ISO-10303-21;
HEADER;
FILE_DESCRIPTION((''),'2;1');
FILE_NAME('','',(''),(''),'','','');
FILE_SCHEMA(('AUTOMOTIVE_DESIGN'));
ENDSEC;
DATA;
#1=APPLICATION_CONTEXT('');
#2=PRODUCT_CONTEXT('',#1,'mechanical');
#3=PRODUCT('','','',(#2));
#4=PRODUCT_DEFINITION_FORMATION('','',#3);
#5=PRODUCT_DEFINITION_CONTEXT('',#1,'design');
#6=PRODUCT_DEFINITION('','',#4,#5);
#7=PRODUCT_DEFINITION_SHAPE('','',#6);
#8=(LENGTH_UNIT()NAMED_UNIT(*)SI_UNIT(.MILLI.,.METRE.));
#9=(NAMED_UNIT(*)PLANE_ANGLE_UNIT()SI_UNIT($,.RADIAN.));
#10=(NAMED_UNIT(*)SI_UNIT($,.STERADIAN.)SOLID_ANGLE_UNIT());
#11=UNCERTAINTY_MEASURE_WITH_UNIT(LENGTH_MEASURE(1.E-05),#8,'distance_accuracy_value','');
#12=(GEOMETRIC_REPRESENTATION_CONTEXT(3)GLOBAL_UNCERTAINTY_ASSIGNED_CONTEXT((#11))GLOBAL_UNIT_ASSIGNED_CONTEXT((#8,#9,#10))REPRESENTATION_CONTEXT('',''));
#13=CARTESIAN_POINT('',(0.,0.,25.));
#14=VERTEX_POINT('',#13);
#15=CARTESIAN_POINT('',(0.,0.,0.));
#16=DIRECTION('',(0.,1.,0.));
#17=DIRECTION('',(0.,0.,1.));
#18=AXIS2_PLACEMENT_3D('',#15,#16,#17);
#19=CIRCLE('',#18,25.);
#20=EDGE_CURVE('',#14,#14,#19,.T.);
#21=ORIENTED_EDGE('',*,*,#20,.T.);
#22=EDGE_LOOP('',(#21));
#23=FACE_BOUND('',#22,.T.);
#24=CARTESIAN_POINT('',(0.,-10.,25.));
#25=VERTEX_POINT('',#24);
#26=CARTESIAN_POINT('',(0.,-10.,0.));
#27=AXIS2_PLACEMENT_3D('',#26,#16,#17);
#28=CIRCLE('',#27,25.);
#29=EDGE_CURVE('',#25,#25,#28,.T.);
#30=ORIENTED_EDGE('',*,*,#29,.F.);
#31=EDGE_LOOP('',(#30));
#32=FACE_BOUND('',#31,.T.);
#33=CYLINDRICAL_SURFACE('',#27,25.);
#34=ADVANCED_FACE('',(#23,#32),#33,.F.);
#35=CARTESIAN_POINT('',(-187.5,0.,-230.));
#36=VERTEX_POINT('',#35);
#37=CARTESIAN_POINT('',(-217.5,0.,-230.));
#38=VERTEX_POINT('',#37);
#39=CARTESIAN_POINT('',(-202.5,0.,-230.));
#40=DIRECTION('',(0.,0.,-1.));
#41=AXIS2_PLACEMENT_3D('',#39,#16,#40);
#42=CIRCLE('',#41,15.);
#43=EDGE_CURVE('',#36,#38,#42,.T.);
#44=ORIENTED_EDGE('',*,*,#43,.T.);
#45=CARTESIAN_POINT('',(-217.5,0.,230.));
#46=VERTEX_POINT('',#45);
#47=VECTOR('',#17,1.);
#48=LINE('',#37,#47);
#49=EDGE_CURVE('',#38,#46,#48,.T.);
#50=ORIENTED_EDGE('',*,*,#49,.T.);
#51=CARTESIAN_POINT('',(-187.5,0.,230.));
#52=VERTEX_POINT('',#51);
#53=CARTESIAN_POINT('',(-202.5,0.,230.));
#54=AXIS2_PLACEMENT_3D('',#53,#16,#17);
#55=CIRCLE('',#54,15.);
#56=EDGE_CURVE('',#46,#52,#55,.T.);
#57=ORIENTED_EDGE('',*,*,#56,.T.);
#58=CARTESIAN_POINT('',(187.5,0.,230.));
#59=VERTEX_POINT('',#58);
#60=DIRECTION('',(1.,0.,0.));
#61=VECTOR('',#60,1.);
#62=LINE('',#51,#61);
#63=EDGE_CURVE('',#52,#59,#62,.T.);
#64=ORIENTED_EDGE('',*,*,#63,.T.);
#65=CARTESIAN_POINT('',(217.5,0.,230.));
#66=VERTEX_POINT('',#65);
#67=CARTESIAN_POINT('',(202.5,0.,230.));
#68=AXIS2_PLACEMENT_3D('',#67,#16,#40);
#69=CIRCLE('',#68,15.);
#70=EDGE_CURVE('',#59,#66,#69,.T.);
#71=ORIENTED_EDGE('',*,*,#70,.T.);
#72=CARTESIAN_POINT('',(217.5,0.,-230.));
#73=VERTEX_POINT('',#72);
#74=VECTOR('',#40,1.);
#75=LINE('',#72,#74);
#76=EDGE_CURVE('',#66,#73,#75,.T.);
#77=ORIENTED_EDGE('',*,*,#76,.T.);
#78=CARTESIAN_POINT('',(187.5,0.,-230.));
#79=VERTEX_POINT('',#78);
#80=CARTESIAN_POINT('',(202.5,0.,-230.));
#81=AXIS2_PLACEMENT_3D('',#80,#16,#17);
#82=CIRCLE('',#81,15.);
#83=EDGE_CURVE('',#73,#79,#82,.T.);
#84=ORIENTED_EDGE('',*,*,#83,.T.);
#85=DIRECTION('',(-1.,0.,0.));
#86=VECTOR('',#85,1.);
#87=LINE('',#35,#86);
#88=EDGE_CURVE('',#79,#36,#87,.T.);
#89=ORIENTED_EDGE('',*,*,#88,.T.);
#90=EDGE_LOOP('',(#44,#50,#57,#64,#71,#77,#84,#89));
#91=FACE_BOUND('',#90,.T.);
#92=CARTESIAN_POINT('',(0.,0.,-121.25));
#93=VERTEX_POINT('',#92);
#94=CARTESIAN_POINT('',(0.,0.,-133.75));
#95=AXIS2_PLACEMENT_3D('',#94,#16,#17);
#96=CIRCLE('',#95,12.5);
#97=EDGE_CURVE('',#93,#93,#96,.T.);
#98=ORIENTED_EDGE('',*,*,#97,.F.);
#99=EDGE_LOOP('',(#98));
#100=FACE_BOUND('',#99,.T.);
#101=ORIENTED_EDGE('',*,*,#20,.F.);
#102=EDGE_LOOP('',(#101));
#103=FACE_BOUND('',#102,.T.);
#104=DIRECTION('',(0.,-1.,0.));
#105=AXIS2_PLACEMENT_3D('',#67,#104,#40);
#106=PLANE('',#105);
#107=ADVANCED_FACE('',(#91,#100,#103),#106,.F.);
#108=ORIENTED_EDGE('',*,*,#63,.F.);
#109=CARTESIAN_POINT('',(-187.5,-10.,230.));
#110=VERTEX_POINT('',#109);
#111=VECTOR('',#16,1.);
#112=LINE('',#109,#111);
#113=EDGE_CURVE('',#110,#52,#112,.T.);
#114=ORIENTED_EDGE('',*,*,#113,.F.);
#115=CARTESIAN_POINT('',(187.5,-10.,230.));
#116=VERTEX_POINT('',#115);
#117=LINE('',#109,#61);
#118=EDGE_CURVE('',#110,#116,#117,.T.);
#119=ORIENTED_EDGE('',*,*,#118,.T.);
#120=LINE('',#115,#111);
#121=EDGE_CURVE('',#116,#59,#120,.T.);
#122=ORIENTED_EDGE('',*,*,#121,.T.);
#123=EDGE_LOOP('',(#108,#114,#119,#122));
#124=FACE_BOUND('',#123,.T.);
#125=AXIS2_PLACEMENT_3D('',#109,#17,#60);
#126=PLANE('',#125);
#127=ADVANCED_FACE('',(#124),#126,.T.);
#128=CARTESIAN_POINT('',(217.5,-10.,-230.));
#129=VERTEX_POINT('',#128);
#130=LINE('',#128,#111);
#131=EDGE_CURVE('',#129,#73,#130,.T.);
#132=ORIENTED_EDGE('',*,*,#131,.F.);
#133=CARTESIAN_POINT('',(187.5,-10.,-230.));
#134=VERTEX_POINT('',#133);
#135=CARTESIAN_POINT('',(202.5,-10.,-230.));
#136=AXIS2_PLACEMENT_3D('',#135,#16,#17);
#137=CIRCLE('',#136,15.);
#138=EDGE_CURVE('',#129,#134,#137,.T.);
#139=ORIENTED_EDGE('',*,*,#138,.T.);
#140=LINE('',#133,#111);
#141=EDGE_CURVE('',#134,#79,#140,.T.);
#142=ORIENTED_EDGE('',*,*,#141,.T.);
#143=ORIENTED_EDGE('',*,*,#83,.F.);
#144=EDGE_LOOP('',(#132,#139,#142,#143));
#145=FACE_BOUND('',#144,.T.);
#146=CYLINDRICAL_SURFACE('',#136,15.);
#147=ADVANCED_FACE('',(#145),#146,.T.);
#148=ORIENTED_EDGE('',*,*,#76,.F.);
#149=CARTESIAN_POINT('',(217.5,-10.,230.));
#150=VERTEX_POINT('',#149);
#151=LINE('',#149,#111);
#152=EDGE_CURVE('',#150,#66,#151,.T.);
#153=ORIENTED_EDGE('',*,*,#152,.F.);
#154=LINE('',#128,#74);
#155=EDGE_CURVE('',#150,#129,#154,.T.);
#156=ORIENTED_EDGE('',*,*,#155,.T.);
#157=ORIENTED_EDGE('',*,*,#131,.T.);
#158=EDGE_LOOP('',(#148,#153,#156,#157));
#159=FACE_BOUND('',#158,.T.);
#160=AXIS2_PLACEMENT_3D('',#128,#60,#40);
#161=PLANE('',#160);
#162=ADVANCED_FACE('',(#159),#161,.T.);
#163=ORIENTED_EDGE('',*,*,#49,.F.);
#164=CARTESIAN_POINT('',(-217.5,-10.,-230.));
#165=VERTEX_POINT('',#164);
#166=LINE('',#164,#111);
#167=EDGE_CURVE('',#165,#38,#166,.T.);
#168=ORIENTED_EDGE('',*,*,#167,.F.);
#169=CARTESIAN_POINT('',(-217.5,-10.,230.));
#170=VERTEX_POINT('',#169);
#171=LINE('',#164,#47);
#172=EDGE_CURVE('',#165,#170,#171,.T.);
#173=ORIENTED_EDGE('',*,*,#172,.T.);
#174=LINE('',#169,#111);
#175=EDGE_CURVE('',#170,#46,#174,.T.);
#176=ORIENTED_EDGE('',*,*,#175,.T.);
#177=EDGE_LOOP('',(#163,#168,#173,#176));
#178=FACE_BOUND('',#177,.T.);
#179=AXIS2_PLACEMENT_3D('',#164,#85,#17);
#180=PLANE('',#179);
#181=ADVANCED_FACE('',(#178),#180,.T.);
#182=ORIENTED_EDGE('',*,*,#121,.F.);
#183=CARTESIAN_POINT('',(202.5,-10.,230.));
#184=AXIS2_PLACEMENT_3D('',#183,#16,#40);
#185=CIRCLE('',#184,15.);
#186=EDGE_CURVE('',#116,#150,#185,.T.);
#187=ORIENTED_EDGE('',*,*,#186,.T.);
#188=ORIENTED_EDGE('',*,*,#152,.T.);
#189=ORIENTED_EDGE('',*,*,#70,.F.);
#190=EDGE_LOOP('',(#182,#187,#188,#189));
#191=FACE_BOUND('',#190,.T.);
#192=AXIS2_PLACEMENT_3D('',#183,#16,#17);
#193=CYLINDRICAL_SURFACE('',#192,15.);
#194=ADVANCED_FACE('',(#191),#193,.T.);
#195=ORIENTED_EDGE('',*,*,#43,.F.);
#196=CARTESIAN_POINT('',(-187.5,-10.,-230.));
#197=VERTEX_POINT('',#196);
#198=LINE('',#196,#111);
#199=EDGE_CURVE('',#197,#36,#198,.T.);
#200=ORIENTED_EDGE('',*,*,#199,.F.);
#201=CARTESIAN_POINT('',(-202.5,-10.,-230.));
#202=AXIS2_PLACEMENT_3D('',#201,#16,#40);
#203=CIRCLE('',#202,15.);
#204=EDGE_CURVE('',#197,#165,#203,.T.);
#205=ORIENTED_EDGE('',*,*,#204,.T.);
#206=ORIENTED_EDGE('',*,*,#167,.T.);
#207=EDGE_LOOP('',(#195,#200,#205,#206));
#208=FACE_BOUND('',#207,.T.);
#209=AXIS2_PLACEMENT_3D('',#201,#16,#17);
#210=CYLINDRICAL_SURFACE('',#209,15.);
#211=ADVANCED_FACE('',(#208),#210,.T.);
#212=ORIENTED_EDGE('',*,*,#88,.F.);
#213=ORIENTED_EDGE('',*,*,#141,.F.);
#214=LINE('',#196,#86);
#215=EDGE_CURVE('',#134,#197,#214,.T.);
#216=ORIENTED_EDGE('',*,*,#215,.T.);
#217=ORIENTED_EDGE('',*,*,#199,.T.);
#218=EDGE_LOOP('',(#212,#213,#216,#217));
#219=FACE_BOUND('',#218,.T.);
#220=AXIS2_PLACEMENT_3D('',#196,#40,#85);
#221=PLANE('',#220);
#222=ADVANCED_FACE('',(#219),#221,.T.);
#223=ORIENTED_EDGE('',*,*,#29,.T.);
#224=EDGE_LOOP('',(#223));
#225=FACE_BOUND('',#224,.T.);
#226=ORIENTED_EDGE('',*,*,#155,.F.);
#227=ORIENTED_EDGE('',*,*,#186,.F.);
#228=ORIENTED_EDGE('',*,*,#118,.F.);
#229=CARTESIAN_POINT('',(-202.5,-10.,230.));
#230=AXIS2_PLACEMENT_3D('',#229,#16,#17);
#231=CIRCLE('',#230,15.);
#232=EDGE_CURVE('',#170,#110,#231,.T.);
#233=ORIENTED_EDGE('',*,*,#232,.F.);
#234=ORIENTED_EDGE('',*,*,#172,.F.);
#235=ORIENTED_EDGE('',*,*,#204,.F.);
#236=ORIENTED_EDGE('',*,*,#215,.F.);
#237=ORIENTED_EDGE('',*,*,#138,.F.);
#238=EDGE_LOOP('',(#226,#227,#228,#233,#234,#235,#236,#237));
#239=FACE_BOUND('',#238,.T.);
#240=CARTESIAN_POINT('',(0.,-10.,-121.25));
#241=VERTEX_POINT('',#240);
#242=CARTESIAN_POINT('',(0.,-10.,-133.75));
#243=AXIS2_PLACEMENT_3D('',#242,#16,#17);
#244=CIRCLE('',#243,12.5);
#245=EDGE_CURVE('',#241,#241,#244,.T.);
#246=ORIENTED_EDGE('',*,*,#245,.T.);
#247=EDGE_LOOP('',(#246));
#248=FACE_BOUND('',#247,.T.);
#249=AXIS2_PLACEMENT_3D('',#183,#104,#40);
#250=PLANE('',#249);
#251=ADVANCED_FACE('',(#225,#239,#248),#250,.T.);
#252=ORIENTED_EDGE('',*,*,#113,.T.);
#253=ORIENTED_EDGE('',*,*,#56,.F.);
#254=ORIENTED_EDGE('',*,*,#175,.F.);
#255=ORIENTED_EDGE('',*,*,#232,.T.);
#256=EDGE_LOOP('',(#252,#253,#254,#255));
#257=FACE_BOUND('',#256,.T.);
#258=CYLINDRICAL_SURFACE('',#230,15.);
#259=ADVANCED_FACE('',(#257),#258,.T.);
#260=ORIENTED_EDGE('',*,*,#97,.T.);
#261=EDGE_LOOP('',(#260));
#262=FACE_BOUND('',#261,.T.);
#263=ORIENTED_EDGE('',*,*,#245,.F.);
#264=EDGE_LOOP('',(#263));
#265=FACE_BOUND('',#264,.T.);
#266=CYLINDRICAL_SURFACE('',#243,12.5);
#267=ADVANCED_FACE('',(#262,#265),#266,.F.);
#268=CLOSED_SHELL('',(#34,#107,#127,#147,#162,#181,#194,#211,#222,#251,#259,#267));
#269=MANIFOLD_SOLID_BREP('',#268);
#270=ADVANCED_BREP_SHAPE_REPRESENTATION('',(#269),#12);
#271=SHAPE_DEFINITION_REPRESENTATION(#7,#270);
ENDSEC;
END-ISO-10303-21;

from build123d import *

# Parameters (mm, degrees)
SKETCH1_R           = 25
BOSS_EXTRUDE2_DEPTH = 10
SKETCH3_R           = 12.5
CUT_EXTRUDE3_DEPTH  = 11


with BuildPart() as part:
    # Sketch1 → Boss-Extrude2 (new body)
    with BuildSketch(Plane(origin=(0, 0, 0), x_dir=(1, 0, 0), z_dir=(0, 1, 0))):
        with BuildLine():
            Line((-187.5, 230), (187.5, 230))
            ThreePointArc((187.5, 230), (202.5, 245), (217.5, 230))
            Line((217.5, 230), (217.5, -230))
            ThreePointArc((217.5, -230), (202.5, -245), (187.5, -230))
            Line((187.5, -230), (-187.5, -230))
            ThreePointArc((-187.5, -230), (-202.5, -245), (-217.5, -230))
            Line((-217.5, -230), (-217.5, 230))
            ThreePointArc((-217.5, 230), (-202.5, 245), (-187.5, 230))
        make_face()
        Circle(SKETCH1_R, mode=Mode.SUBTRACT)
    extrude(amount=-BOSS_EXTRUDE2_DEPTH)

    # Sketch3 → Cut-Extrude3 (cut, through all)
    with BuildSketch(Plane(origin=(0, 0, 0), x_dir=(1, 0, 0), z_dir=(0, 1, 0))):
        with Locations((0, 133.75)):
            Circle(SKETCH3_R)
    extrude(amount=-CUT_EXTRUDE3_DEPTH, mode=Mode.SUBTRACT)


solid = part.part
